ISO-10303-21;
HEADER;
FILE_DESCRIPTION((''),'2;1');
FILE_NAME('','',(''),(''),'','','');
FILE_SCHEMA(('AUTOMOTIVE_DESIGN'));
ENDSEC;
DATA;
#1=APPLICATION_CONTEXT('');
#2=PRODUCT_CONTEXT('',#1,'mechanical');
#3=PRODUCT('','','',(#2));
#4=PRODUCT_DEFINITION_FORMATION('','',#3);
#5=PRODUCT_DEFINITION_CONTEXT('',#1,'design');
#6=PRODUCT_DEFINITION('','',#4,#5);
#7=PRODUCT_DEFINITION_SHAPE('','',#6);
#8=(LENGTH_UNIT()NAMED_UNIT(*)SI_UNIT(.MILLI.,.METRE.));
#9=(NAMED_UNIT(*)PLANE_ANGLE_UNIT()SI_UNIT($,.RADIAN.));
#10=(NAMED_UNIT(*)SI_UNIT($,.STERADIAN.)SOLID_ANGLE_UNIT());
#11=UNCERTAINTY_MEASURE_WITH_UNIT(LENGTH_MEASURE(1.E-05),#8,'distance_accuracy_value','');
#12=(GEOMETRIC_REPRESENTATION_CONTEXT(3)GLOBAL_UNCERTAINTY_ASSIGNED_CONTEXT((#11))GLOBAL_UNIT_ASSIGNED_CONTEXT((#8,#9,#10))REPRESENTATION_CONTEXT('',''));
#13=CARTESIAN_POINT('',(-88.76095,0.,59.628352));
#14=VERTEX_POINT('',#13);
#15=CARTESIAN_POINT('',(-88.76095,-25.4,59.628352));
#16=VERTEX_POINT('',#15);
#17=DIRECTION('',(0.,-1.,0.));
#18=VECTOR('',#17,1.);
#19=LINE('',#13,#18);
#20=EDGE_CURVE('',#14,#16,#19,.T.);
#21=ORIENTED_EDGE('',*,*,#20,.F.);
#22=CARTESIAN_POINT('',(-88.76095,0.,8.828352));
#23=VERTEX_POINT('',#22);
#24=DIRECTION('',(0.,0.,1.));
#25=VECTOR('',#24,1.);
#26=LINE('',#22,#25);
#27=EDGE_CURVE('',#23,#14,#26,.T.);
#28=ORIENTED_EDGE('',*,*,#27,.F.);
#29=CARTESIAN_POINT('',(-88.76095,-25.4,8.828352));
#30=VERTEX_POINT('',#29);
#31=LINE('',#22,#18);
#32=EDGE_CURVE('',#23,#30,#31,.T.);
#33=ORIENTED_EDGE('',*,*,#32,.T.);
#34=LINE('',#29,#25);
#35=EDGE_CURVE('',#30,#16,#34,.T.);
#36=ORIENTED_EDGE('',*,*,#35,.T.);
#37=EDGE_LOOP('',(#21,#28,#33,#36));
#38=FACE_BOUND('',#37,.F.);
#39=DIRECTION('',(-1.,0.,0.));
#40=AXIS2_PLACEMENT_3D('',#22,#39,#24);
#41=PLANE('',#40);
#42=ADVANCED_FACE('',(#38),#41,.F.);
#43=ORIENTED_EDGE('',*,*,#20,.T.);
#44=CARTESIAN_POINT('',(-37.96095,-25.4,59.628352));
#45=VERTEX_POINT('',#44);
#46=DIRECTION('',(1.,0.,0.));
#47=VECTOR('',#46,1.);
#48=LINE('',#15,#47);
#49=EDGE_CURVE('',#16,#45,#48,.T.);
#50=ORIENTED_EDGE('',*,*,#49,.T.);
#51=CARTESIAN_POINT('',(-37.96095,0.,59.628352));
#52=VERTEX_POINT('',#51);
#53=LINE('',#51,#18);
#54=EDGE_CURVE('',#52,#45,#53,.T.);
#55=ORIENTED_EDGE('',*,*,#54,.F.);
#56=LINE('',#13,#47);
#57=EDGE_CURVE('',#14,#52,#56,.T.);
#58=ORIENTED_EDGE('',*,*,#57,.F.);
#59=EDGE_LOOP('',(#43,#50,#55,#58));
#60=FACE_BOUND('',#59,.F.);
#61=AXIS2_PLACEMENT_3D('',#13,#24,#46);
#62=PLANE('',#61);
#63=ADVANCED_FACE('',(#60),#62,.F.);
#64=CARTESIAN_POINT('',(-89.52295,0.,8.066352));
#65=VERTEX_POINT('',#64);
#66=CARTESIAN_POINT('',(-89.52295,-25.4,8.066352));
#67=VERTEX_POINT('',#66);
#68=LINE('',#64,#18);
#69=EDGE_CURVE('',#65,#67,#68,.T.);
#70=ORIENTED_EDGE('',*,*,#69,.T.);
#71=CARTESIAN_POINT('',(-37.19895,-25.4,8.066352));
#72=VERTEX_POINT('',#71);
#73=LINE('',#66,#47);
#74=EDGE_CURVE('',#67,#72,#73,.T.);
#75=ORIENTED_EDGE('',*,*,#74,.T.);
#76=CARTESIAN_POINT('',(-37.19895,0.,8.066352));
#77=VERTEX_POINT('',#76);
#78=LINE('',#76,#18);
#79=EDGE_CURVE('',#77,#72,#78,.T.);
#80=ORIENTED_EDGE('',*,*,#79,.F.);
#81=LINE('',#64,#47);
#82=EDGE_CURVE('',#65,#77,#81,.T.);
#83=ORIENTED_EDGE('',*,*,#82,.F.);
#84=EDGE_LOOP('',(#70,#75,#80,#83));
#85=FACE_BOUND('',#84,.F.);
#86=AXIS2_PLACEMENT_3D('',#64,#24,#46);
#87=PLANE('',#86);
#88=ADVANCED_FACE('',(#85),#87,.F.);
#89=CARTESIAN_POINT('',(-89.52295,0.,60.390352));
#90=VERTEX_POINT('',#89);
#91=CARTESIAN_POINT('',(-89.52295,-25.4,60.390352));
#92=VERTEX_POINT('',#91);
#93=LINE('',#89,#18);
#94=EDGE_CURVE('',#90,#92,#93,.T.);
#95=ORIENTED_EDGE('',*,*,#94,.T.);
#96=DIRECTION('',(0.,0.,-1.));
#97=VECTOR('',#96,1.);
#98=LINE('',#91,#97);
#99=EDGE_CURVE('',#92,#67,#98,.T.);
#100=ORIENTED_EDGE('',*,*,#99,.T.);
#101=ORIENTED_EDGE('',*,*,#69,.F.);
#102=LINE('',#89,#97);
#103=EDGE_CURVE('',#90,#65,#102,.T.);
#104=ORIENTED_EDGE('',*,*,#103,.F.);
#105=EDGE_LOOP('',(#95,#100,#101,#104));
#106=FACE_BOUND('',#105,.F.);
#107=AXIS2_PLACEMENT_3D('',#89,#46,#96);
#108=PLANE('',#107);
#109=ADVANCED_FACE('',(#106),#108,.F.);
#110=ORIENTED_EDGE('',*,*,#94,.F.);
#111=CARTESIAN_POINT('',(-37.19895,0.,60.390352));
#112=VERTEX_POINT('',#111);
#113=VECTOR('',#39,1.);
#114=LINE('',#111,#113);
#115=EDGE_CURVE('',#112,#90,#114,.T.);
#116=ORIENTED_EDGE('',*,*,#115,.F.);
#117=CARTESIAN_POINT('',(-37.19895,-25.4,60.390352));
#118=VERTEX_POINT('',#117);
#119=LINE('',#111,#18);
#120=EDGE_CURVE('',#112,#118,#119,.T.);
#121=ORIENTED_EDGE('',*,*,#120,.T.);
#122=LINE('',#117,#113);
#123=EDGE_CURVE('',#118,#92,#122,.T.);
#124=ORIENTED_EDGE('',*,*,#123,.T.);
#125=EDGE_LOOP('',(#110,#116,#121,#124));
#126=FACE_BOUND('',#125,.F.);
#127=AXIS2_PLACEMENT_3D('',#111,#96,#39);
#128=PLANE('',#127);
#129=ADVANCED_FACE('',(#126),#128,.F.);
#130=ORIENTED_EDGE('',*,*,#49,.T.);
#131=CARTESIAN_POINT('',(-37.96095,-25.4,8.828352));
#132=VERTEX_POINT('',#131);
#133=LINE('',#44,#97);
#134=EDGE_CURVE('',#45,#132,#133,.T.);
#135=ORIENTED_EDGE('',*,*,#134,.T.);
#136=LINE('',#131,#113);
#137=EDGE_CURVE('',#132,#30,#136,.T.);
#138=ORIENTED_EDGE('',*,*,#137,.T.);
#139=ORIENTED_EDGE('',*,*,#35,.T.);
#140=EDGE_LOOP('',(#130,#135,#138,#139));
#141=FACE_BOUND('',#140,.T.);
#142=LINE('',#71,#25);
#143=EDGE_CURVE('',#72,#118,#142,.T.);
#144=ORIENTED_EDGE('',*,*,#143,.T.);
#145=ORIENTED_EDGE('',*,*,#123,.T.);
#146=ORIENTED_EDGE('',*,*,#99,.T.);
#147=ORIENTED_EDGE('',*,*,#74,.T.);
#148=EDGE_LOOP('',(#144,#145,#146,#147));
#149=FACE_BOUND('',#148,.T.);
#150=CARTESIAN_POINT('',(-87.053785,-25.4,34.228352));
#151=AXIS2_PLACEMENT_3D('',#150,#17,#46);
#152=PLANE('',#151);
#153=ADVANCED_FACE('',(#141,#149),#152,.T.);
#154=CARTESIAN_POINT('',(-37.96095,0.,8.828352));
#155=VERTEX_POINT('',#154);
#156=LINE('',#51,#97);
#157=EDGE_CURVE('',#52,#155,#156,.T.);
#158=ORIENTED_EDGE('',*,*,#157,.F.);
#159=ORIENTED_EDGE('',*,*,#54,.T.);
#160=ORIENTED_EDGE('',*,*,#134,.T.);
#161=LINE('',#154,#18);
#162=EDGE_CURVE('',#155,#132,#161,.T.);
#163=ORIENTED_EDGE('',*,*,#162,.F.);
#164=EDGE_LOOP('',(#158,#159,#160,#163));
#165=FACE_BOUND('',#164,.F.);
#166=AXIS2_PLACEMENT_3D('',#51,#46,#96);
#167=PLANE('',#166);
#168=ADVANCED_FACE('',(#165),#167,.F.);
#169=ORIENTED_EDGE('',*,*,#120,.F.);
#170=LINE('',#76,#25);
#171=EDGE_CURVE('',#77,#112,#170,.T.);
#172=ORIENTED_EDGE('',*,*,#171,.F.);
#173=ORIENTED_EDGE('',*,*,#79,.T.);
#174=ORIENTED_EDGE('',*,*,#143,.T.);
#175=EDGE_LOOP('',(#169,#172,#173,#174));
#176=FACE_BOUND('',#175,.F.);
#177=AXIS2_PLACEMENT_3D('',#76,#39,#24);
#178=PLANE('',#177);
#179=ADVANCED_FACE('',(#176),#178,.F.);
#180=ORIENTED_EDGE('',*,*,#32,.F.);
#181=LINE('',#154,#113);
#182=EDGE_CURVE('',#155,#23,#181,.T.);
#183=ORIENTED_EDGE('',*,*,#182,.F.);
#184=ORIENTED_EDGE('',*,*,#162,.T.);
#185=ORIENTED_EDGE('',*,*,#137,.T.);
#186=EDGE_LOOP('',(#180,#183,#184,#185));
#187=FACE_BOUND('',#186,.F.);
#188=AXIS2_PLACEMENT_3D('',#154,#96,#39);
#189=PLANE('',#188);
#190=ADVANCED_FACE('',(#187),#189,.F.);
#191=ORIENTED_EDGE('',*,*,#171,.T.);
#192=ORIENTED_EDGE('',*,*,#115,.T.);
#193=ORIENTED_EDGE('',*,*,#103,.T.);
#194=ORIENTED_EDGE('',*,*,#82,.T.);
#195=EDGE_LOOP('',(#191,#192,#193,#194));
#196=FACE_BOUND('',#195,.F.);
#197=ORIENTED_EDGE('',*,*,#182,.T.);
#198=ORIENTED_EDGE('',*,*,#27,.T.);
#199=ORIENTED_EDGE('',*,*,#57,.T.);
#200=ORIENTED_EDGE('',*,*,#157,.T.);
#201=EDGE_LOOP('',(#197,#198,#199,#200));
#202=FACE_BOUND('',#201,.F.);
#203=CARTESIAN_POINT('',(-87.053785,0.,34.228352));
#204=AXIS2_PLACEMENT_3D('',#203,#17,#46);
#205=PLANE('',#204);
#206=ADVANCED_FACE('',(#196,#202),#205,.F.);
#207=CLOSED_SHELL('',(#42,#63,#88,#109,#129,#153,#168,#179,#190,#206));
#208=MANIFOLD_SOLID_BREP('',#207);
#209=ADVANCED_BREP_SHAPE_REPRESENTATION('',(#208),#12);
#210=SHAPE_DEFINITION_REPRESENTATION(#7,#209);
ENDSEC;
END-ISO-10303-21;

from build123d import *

# Parameters (mm, degrees)
F0_W     = 0.762
F0_H     = 0.762
F0_W_2   = 11.938
F1_DEPTH = 25.4


with BuildPart() as f1:
    # F0 (on Front) → F1 (new body)
    with BuildSketch(Plane.XZ):
        Polygon((-88.76095, 8.828352), (-88.76095, 59.628352), (-76.82295, 59.628352), (-76.82295, 60.390352), (-89.52295, 60.390352), (-89.52295, 8.066352), (-76.82295, 8.066352), (-76.82295, 8.828352), align=None)
        with Locations((-76.44195, 60.009352)):
            Rectangle(F0_W, F0_H)
        with Locations((-70.09195, 60.009352)):
            Rectangle(F0_W_2, F0_H)
        with Locations((-76.44195, 8.447352)):
            Rectangle(F0_W, F0_H)
        with Locations((-63.74195, 60.009352)):
            Rectangle(F0_W, F0_H)
        with Locations((-70.09195, 8.447352)):
            Rectangle(F0_W_2, F0_H)
        with Locations((-57.39195, 60.009352)):
            Rectangle(F0_W_2, F0_H)
        with Locations((-63.74195, 8.447352)):
            Rectangle(F0_W, F0_H)
        with Locations((-51.04195, 60.009352)):
            Rectangle(F0_W, F0_H)
        with Locations((-57.39195, 8.447352)):
            Rectangle(F0_W_2, F0_H)
        Polygon((-50.66095, 60.390352), (-50.66095, 59.628352), (-37.96095, 59.628352), (-37.96095, 8.828352), (-50.66095, 8.828352), (-50.66095, 8.066352), (-37.19895, 8.066352), (-37.19895, 60.390352), align=None)
        with Locations((-51.04195, 8.447352)):
            Rectangle(F0_W, F0_H)
    extrude(amount=F1_DEPTH)


solid = f1.part
